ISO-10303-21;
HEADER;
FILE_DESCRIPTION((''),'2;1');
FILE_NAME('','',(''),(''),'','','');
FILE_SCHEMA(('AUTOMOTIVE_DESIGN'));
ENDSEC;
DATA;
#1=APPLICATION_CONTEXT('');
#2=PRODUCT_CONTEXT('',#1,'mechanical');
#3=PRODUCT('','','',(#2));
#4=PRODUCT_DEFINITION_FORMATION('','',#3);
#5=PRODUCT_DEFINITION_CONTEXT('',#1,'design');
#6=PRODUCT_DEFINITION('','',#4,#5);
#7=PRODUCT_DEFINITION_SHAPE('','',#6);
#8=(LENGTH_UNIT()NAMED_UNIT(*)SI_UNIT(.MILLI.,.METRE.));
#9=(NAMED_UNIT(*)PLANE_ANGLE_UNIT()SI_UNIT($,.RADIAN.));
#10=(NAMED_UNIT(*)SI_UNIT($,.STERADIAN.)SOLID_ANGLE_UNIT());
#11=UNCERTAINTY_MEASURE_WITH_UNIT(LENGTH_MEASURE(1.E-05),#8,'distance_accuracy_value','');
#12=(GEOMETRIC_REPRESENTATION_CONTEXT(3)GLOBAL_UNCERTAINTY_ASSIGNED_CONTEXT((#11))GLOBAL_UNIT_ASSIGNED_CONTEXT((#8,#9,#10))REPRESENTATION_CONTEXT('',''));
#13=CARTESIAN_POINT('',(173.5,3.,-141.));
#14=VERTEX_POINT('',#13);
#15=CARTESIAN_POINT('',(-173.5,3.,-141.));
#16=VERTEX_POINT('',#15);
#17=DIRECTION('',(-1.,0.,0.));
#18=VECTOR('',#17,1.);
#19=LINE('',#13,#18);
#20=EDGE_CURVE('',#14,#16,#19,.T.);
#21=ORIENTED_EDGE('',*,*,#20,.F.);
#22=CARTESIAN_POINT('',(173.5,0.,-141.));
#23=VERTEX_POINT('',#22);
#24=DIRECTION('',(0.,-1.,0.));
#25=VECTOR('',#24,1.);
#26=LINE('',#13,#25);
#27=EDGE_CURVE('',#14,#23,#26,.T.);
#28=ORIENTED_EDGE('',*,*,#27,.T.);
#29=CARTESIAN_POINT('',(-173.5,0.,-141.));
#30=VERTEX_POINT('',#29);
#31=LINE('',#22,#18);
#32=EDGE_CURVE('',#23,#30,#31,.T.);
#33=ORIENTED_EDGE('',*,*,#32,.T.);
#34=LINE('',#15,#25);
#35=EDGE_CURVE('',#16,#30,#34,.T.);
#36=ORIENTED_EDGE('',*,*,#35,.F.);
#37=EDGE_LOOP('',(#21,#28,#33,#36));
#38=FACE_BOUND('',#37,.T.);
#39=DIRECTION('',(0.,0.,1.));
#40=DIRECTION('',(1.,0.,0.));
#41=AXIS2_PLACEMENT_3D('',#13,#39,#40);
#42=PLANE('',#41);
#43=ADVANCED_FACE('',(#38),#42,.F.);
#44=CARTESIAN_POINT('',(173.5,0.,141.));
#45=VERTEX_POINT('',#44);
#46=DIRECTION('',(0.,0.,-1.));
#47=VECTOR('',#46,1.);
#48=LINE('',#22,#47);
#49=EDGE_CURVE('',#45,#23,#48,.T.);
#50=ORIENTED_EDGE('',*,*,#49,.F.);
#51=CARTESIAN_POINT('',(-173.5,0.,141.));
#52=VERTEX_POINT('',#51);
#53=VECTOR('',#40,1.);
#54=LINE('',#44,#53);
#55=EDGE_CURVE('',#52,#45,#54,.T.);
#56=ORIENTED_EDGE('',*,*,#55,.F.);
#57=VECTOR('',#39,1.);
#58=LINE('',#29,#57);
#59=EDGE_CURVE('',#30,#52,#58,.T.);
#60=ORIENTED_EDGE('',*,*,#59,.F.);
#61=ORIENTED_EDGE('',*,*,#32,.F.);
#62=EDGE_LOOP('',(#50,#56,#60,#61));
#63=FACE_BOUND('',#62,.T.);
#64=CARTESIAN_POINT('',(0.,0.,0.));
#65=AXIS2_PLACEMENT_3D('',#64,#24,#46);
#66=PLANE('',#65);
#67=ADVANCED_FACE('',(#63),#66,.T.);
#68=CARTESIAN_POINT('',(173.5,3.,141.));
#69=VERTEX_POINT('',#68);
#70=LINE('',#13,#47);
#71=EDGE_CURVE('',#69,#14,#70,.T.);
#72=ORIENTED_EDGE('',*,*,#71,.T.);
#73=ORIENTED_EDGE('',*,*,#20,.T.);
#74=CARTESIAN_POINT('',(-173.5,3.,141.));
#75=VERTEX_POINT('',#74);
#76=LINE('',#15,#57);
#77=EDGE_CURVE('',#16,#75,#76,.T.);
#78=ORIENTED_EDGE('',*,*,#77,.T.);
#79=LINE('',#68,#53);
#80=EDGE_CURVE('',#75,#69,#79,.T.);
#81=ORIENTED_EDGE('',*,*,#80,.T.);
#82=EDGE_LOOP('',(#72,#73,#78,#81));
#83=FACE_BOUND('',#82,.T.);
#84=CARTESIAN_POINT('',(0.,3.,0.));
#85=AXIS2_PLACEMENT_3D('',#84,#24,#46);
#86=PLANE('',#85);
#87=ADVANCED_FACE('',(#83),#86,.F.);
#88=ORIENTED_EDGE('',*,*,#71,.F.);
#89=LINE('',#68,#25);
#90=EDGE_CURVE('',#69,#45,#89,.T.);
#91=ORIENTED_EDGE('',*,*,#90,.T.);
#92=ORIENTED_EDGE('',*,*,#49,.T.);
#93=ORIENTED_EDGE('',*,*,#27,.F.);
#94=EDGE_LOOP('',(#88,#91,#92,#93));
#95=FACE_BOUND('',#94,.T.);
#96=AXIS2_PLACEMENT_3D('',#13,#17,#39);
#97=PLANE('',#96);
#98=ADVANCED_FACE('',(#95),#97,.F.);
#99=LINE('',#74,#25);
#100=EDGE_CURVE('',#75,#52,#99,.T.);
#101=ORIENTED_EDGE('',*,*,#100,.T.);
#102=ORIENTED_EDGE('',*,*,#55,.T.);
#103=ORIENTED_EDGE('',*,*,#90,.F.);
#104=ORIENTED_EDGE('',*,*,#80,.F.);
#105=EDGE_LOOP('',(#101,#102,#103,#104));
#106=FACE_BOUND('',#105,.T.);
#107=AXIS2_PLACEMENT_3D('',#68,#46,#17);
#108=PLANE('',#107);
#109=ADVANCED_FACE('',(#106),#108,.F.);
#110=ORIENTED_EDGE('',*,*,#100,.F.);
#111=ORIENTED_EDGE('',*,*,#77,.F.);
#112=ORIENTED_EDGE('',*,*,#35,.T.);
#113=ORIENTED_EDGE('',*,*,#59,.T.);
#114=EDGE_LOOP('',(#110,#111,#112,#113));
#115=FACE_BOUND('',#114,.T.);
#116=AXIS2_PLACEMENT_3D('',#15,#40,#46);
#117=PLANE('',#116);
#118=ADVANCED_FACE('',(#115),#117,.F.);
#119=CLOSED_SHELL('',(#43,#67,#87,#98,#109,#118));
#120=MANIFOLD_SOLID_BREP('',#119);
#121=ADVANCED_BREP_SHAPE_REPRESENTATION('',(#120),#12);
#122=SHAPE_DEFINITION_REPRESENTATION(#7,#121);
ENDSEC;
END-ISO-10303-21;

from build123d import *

# Parameters (mm, degrees)
ESBO_O1_W                = 347
ESBO_O1_H                = 282
RESSALTO_EXTRUS_O1_DEPTH = 3


with BuildPart() as part:
    # Esboço1 → Ressalto-extrusão1 (new body)
    with BuildSketch(Plane(origin=(0, 0, 0), x_dir=(1, 0, 0), z_dir=(0, 1, 0))):
        Rectangle(ESBO_O1_W, ESBO_O1_H)
    extrude(amount=RESSALTO_EXTRUS_O1_DEPTH)


solid = part.part
